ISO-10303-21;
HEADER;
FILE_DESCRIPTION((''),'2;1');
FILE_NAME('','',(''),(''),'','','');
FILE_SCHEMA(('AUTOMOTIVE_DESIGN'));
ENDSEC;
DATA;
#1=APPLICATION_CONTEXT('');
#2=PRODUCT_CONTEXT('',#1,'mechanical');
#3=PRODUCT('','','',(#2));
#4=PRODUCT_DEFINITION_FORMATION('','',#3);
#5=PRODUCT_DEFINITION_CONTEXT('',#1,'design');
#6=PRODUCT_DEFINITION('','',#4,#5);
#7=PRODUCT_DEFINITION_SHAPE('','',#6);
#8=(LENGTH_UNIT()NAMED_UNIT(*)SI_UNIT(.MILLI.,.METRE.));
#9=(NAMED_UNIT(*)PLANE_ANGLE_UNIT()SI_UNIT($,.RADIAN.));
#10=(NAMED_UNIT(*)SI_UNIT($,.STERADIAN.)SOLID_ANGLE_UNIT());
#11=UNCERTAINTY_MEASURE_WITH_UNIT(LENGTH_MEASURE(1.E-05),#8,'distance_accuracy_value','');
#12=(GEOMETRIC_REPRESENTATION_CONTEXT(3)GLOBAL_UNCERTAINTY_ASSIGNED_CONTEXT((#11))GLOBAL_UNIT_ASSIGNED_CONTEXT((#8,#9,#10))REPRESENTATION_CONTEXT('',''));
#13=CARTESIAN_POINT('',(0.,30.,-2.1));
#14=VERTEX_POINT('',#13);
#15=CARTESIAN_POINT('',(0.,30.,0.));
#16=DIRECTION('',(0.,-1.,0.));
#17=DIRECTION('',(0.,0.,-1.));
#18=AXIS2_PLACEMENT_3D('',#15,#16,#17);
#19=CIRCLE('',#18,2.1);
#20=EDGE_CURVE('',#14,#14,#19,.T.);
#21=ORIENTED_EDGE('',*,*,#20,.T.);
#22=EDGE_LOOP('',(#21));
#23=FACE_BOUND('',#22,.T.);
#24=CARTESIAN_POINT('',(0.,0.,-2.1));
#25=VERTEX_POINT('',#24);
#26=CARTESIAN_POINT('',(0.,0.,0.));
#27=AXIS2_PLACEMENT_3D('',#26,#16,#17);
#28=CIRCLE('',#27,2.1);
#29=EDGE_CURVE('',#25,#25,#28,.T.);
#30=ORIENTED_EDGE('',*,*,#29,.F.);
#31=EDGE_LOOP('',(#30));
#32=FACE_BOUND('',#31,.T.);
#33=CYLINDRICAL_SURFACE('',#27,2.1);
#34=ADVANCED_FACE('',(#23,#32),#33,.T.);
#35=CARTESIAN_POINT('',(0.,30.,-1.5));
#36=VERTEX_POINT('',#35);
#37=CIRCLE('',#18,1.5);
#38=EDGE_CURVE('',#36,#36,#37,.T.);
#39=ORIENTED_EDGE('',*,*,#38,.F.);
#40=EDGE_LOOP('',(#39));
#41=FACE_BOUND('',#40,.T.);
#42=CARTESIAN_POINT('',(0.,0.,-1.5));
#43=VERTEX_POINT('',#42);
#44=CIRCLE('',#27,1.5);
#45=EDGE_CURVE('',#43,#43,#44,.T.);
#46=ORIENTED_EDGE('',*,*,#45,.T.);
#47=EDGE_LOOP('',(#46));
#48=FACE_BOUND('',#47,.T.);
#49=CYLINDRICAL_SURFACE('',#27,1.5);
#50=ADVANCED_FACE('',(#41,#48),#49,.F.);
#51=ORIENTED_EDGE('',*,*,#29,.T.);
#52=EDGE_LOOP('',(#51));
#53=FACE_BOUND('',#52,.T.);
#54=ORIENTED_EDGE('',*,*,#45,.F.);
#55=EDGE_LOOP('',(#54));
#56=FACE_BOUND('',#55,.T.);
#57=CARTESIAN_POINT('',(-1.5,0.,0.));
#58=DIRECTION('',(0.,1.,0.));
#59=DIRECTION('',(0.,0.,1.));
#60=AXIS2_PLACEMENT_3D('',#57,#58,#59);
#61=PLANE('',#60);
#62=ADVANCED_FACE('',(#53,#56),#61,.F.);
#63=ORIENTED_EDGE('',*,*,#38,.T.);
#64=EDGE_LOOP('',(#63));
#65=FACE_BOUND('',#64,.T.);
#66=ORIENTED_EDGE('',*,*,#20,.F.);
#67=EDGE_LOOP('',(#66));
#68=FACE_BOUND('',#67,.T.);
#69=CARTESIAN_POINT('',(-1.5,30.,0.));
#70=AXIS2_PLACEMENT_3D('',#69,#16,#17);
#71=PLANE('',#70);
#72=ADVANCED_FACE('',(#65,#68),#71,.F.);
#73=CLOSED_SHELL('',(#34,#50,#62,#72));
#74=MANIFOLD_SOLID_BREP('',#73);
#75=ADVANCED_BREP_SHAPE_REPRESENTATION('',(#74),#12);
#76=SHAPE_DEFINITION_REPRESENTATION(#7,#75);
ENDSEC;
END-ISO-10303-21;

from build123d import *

# Parameters (mm, degrees)
SKETCH1_W = 0.6
SKETCH1_H = 30


with BuildPart() as part:
    # Sketch1 → Revolve1 (revolve)
    with BuildSketch(Plane.XY, mode=Mode.PRIVATE) as revolve1_sk:
        with Locations((-1.8, 15)):
            Rectangle(SKETCH1_W, SKETCH1_H)
    revolve(revolve1_sk.sketch.rotate(Axis((0, 0, 0), (0, 1, 0)), 270), axis=Axis((0, 0, 0), (0, 1, 0)))


solid = part.part
